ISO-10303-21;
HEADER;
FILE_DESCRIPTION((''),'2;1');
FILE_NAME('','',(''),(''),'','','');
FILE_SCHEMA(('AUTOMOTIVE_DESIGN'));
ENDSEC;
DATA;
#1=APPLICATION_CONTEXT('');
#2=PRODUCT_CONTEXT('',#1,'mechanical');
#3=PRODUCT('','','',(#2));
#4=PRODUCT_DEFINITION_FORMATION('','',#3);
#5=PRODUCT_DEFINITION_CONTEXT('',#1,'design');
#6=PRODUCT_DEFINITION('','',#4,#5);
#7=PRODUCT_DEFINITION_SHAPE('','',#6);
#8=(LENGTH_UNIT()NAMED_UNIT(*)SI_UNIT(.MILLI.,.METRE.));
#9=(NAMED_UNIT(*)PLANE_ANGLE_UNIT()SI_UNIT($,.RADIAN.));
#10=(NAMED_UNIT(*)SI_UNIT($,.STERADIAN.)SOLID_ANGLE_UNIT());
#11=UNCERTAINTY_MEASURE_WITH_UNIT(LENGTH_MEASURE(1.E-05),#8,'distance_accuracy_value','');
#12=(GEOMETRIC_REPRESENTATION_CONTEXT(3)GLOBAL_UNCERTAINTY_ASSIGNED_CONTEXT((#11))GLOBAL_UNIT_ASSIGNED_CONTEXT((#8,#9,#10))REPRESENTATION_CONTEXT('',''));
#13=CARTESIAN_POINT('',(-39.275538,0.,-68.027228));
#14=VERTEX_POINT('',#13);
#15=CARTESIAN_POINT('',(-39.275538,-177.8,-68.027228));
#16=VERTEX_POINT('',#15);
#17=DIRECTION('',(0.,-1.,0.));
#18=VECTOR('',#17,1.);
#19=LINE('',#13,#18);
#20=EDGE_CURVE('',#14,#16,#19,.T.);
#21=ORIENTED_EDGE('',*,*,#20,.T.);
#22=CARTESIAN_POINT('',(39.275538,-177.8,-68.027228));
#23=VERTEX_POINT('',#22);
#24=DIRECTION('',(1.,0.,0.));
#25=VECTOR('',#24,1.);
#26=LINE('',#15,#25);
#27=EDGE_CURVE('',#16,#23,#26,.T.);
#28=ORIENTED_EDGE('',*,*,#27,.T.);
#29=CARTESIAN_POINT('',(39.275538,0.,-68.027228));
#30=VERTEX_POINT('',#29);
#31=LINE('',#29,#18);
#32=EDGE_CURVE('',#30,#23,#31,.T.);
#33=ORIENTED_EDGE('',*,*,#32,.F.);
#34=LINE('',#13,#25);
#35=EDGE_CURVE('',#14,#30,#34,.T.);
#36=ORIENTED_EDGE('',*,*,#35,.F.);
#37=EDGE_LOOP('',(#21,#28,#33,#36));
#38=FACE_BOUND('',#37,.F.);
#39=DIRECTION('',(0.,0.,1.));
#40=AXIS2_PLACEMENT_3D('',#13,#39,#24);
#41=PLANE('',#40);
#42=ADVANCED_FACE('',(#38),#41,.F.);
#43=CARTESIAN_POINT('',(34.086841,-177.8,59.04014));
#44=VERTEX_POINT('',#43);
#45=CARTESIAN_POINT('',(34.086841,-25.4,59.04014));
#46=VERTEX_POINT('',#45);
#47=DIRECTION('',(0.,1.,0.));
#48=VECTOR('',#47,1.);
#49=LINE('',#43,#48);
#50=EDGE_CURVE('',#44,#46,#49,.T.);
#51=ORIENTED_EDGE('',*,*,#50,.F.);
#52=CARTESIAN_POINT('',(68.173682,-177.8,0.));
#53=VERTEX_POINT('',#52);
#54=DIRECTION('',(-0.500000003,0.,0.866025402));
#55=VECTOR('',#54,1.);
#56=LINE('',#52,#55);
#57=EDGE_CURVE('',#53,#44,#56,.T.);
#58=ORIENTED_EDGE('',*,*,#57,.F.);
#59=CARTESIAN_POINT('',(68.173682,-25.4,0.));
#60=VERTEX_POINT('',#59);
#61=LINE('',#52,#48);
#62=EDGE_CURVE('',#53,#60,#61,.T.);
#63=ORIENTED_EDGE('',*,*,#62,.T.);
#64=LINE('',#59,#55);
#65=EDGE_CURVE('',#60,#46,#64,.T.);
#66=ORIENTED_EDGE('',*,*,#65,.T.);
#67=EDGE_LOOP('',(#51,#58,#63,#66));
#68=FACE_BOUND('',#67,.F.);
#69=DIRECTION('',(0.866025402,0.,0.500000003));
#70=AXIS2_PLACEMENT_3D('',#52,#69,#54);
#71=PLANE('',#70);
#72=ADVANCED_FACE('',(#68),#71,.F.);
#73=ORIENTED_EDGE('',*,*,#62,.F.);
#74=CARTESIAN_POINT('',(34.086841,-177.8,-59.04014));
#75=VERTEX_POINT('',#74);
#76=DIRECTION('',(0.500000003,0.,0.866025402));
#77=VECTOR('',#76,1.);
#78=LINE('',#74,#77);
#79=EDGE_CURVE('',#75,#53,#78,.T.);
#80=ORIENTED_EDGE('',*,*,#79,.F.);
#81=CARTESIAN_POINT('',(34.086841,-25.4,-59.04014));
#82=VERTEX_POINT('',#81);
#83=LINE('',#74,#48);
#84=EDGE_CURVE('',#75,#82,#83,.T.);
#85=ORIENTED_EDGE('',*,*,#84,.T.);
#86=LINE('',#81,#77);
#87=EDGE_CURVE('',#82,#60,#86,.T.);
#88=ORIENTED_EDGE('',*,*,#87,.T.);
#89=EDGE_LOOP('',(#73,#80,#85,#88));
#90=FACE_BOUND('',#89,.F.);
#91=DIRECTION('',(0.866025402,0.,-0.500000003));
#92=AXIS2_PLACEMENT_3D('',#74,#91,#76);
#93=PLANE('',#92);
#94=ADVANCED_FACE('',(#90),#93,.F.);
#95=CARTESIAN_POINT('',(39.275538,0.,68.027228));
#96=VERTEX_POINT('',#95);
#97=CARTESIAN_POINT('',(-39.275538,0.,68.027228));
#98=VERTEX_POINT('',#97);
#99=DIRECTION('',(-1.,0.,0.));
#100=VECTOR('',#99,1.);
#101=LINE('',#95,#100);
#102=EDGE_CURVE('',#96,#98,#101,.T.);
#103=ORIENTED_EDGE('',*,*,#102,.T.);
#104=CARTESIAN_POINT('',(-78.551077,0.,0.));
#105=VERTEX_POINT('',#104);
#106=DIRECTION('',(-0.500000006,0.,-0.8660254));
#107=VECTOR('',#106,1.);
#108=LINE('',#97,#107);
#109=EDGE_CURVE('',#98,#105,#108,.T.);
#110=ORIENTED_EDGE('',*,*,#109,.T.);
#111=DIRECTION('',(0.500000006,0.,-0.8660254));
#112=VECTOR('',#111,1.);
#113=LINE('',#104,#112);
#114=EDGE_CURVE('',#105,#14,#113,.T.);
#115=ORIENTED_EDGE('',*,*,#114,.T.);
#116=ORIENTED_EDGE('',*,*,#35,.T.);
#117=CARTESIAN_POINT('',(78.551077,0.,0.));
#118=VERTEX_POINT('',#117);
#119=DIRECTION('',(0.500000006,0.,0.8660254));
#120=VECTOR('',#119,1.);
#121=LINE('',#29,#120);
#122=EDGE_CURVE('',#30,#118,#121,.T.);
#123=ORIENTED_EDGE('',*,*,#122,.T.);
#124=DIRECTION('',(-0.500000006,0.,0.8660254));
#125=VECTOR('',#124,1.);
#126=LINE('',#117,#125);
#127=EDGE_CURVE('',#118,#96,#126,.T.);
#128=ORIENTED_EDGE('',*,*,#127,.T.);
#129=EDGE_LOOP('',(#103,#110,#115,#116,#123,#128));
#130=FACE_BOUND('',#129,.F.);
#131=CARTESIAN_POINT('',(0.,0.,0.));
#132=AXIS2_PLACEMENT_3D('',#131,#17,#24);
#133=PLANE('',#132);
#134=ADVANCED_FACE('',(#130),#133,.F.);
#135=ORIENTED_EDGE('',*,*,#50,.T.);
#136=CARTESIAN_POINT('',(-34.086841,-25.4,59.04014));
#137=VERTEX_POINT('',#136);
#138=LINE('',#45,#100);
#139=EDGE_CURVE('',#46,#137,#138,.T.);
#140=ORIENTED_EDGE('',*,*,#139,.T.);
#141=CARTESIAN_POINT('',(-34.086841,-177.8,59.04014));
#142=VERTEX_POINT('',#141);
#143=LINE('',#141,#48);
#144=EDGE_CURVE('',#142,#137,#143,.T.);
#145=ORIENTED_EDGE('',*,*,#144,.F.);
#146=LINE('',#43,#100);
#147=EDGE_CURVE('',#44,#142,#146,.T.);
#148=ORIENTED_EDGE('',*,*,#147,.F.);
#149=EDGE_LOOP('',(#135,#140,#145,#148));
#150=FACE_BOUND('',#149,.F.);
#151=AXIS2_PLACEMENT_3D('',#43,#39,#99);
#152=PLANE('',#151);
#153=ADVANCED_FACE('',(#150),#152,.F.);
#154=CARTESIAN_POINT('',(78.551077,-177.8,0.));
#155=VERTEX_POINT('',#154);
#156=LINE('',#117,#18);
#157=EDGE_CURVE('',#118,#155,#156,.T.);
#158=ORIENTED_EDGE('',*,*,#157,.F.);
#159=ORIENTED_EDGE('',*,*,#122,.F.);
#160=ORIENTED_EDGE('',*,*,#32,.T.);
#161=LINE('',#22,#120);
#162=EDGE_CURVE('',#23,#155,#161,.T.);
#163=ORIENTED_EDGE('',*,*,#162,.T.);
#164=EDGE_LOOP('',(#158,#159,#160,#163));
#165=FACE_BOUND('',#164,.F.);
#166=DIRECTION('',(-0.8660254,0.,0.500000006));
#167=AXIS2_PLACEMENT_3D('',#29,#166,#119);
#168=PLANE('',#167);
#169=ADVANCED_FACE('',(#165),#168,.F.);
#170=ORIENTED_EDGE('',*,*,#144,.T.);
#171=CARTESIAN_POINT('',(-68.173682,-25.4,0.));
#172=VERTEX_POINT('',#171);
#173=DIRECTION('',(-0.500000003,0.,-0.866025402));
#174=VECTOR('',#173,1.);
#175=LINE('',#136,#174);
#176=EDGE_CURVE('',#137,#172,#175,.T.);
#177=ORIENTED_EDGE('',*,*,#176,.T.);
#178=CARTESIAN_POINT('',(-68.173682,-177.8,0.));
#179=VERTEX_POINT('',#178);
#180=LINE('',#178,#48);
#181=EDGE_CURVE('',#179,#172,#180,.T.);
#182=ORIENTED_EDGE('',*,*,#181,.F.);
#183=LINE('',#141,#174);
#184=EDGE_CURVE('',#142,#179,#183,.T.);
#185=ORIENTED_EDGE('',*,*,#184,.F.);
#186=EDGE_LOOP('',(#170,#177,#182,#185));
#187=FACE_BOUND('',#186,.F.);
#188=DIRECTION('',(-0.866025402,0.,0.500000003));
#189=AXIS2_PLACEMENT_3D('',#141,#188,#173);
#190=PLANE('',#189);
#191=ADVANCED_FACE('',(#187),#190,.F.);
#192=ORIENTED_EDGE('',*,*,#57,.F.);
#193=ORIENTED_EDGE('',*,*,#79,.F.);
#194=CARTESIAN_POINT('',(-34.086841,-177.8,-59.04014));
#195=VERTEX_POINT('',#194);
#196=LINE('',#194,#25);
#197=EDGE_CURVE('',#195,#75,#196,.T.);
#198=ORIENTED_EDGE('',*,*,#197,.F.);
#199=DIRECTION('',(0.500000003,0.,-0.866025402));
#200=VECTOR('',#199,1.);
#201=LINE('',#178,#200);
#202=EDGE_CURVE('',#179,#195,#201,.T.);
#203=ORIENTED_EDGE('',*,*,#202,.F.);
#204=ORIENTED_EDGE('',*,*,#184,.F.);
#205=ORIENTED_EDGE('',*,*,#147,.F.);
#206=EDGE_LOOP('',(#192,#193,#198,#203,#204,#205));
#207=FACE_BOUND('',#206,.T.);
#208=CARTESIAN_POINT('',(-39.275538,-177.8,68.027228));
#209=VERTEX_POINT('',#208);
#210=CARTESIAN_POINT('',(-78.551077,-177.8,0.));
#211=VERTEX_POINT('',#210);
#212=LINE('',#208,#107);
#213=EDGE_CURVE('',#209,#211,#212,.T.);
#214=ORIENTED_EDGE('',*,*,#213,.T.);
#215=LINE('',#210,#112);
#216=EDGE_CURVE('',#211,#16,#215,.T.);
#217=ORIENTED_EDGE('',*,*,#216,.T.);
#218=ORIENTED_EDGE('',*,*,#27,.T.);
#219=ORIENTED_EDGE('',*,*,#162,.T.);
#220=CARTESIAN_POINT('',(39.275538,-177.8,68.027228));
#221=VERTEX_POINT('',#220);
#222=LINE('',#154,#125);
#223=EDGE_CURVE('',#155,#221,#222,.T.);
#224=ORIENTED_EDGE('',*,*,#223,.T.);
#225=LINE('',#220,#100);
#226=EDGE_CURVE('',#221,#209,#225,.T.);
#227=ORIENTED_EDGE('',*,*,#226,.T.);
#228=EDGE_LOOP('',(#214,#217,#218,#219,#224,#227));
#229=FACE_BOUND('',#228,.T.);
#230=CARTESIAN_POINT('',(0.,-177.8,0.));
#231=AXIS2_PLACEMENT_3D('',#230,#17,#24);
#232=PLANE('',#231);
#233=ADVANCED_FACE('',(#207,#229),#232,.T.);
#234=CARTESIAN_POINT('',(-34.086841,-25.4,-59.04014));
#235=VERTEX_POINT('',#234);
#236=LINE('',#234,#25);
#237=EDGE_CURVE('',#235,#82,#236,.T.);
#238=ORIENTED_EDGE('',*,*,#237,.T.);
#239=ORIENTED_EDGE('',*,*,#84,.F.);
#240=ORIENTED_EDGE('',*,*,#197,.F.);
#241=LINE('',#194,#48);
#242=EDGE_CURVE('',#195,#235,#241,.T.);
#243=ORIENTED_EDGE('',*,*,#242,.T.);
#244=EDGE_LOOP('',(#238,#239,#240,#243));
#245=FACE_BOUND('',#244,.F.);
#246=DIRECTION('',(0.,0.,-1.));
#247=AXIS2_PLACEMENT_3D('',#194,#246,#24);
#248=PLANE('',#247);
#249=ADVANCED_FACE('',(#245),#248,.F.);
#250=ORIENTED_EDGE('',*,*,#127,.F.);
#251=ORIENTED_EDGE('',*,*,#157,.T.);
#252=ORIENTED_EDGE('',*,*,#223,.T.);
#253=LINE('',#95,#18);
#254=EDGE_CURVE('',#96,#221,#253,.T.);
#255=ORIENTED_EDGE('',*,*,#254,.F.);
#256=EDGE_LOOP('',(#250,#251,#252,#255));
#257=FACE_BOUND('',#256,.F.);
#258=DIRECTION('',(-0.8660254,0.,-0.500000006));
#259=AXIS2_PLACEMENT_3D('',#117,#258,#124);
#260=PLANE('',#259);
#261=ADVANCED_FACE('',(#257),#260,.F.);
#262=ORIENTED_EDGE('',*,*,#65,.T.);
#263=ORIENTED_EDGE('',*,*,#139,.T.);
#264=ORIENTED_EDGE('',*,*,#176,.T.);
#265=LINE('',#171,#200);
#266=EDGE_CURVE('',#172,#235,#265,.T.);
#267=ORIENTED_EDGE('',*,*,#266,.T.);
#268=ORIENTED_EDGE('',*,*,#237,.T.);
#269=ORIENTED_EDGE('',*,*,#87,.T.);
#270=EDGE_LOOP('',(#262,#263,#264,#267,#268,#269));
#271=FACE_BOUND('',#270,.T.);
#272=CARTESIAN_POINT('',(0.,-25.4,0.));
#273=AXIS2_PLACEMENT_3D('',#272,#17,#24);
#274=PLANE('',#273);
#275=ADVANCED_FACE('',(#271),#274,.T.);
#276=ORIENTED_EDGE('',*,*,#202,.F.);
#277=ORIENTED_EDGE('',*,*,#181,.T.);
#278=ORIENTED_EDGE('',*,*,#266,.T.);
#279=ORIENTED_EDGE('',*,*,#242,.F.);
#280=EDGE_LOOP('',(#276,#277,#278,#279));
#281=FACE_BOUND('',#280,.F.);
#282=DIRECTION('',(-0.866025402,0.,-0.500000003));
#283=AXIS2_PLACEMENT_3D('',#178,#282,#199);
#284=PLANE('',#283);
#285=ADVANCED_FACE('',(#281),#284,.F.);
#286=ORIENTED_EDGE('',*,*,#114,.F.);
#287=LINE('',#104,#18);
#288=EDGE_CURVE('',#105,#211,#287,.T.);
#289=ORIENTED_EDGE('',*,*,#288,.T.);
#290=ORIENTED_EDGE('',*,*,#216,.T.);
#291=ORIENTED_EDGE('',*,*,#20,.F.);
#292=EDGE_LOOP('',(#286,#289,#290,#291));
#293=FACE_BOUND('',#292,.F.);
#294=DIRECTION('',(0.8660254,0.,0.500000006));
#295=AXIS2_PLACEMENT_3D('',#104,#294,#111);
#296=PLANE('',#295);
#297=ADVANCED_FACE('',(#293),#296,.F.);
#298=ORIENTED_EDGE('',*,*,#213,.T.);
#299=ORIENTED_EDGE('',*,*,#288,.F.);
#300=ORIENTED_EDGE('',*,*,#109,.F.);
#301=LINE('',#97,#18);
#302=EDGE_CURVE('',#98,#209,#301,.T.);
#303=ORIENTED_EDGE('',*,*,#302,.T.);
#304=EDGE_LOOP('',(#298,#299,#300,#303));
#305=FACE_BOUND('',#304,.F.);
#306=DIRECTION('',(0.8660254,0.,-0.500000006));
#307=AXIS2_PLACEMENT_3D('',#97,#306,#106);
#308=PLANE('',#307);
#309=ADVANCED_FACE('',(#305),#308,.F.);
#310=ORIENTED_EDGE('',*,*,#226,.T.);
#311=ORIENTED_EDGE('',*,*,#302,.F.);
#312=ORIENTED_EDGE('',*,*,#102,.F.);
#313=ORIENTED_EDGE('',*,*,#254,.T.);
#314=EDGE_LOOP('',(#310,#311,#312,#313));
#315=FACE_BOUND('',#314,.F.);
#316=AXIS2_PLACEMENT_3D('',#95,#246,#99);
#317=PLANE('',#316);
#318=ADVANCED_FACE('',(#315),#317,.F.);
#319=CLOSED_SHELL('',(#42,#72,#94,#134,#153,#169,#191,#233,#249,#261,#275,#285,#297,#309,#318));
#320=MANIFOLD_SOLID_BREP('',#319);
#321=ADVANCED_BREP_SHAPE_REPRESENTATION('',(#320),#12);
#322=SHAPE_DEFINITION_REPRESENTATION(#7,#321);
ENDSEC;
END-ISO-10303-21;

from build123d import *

# Parameters (mm, degrees)
F1_DEPTH = 177.8
F3_DEPTH = 152.4


with BuildPart() as f1:
    # F0 (on Front) → F1 (new body)
    with BuildSketch(Plane.XZ):
        Polygon((39.275538, 68.027228), (-39.275538, 68.027228), (-78.551077, 0), (-39.275538, -68.027228), (39.275538, -68.027228), (78.551077, 0), align=None)
    extrude(amount=F1_DEPTH)

    # F2 (on face) → F3 (cut)
    with BuildSketch(Plane.XZ.offset(177.8)):
        Polygon((34.086841, 59.04014), (-34.086841, 59.04014), (-68.173682, 0), (-34.086841, -59.04014), (34.086841, -59.04014), (68.173682, 0), align=None)
    extrude(amount=-F3_DEPTH, mode=Mode.SUBTRACT)


solid = f1.part
